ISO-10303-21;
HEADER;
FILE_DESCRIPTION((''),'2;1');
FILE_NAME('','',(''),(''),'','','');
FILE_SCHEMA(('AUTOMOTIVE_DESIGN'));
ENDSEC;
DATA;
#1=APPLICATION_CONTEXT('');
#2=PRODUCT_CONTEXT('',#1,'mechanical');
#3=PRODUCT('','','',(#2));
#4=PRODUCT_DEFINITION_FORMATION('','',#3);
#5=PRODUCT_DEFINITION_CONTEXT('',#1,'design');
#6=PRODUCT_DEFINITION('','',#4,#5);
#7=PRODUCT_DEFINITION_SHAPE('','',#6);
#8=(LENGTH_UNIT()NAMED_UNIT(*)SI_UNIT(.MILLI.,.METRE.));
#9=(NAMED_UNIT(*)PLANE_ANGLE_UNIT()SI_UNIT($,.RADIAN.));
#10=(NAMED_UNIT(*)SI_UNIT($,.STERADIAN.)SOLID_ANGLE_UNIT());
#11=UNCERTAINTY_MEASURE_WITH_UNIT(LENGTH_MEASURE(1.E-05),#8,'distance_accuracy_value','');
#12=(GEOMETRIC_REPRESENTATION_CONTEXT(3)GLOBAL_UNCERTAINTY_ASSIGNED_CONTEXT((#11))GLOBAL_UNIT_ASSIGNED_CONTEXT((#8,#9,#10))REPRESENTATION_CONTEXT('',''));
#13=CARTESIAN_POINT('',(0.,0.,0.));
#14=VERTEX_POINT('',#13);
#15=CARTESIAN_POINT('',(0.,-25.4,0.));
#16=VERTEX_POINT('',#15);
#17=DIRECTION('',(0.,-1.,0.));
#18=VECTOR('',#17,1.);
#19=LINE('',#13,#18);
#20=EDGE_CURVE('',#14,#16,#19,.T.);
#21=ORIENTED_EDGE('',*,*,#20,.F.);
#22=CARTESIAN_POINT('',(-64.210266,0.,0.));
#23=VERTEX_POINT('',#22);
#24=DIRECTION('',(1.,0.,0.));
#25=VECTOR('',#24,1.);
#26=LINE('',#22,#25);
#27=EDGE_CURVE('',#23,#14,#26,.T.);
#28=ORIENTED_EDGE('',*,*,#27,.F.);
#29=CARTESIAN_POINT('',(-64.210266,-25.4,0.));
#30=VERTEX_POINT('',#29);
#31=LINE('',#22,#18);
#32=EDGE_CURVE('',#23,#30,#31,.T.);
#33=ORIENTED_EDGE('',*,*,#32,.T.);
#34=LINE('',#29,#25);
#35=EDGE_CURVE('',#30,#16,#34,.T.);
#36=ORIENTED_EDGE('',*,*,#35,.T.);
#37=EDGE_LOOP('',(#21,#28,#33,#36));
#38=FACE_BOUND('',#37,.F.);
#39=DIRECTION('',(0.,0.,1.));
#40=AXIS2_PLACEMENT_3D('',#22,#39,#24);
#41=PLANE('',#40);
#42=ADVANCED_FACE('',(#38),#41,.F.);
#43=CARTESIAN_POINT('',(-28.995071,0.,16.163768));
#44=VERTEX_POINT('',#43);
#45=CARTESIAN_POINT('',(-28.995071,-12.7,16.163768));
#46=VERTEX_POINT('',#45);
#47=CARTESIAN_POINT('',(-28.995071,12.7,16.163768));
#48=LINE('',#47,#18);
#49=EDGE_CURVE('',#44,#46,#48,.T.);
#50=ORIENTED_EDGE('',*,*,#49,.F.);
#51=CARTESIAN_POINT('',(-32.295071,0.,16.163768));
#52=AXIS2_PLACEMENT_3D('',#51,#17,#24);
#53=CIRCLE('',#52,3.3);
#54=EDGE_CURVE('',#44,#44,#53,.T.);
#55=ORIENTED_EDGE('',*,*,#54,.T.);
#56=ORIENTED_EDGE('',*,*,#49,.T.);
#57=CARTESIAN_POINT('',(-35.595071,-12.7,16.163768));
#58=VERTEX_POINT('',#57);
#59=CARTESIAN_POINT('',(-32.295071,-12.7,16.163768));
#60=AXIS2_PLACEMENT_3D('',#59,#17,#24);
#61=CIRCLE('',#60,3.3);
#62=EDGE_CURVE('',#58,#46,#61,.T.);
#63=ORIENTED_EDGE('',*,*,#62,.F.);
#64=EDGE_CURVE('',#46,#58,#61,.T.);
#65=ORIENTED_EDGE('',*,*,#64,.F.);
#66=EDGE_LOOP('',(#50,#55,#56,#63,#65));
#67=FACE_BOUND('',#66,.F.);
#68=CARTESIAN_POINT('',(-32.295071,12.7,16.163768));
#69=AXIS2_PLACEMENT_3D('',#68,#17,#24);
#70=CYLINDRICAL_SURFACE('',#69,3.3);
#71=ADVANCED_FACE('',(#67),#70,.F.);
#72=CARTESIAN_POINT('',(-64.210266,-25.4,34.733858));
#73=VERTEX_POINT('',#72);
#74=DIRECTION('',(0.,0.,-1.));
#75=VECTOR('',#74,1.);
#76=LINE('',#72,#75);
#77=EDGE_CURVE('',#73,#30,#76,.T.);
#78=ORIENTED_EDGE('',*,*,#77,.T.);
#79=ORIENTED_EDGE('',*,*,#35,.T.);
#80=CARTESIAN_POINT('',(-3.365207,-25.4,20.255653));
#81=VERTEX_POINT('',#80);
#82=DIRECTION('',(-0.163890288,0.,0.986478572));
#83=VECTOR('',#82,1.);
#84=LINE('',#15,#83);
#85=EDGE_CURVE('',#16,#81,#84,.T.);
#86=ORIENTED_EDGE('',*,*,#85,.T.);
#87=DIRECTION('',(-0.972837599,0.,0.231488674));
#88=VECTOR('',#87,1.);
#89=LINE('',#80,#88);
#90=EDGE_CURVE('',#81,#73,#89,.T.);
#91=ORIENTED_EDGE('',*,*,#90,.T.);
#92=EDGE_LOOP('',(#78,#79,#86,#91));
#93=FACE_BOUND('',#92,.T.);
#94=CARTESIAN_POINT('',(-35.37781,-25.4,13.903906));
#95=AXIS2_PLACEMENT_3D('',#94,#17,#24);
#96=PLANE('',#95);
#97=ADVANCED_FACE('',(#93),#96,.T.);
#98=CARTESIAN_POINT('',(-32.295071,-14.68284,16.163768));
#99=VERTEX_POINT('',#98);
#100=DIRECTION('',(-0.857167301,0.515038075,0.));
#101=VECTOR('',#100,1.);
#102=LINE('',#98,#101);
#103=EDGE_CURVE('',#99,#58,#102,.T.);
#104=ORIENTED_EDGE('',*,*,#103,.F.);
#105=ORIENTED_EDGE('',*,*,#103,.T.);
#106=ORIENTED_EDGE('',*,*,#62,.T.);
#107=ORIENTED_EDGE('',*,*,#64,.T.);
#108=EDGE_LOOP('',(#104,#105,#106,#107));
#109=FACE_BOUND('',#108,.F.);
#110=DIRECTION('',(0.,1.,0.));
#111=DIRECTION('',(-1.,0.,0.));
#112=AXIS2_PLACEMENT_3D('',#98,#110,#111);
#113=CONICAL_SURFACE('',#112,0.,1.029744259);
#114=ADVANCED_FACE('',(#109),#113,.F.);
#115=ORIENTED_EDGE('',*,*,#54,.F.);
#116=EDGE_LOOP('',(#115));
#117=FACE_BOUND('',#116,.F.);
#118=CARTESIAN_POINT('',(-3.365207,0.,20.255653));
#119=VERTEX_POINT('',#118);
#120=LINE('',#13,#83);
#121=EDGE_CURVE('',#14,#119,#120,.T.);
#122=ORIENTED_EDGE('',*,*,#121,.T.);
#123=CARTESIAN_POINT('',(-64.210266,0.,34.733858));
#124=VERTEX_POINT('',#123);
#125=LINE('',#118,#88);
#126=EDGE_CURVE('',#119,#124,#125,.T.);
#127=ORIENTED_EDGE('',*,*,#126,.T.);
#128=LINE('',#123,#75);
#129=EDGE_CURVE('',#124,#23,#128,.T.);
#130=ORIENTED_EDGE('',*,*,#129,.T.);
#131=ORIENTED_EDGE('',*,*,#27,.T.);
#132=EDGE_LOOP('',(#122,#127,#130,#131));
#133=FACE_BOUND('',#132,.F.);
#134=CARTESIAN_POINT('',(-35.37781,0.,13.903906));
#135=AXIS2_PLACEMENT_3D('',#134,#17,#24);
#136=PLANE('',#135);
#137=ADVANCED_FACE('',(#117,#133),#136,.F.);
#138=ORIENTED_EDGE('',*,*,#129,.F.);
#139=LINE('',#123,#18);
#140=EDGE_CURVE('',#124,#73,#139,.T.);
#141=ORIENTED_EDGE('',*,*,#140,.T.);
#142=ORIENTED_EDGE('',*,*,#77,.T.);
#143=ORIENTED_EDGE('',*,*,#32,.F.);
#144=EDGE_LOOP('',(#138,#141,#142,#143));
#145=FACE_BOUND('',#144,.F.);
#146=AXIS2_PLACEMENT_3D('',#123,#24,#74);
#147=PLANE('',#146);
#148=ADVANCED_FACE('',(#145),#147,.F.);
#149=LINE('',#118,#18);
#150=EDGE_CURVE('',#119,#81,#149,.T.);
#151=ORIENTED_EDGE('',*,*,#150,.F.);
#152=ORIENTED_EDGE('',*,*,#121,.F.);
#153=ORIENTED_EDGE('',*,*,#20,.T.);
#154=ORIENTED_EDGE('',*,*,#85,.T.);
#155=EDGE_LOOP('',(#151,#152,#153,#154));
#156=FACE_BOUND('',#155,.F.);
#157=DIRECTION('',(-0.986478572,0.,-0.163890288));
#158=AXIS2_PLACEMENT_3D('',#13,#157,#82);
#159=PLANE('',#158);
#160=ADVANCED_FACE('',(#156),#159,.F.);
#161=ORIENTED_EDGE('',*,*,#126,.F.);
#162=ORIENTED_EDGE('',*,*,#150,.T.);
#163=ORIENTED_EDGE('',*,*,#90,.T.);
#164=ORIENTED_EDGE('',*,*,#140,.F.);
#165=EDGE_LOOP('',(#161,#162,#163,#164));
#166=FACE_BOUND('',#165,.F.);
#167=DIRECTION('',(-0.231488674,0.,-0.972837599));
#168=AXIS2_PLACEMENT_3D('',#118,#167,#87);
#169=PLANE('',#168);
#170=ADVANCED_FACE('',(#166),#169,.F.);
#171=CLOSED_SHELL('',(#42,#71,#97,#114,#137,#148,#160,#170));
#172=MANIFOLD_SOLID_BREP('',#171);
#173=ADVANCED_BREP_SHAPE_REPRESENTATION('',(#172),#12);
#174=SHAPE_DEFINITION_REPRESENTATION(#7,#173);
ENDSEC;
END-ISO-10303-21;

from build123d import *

# Parameters (mm, degrees)
F1_DEPTH = 25.4
F3_D     = 6.6
F3_DEPTH = 12.7
F3_TIP   = 1.9828400428


with BuildPart() as f1:
    # F0 (on Front) → F1 (new body)
    with BuildSketch(Plane.XZ):
        Polygon((-3.3652072307, 20.2556531876), (-64.2102658749, 34.7338579595), (-64.2102658749, 0), (0, 0), align=None)
    extrude(amount=F1_DEPTH)

    # F3
    with Locations(Plane(origin=(0, 0, 0), x_dir=(-1, 0, 0), z_dir=(0, 1, 0))):
        with Locations((32.2950705886, 16.1637682468)):
            Hole(F3_D / 2, depth=F3_DEPTH)
            with Locations((0, 0, -(F3_DEPTH + F3_TIP / 2))):  # 118° drill point
                Cone(0, F3_D / 2, F3_TIP, mode=Mode.SUBTRACT)


solid = f1.part
